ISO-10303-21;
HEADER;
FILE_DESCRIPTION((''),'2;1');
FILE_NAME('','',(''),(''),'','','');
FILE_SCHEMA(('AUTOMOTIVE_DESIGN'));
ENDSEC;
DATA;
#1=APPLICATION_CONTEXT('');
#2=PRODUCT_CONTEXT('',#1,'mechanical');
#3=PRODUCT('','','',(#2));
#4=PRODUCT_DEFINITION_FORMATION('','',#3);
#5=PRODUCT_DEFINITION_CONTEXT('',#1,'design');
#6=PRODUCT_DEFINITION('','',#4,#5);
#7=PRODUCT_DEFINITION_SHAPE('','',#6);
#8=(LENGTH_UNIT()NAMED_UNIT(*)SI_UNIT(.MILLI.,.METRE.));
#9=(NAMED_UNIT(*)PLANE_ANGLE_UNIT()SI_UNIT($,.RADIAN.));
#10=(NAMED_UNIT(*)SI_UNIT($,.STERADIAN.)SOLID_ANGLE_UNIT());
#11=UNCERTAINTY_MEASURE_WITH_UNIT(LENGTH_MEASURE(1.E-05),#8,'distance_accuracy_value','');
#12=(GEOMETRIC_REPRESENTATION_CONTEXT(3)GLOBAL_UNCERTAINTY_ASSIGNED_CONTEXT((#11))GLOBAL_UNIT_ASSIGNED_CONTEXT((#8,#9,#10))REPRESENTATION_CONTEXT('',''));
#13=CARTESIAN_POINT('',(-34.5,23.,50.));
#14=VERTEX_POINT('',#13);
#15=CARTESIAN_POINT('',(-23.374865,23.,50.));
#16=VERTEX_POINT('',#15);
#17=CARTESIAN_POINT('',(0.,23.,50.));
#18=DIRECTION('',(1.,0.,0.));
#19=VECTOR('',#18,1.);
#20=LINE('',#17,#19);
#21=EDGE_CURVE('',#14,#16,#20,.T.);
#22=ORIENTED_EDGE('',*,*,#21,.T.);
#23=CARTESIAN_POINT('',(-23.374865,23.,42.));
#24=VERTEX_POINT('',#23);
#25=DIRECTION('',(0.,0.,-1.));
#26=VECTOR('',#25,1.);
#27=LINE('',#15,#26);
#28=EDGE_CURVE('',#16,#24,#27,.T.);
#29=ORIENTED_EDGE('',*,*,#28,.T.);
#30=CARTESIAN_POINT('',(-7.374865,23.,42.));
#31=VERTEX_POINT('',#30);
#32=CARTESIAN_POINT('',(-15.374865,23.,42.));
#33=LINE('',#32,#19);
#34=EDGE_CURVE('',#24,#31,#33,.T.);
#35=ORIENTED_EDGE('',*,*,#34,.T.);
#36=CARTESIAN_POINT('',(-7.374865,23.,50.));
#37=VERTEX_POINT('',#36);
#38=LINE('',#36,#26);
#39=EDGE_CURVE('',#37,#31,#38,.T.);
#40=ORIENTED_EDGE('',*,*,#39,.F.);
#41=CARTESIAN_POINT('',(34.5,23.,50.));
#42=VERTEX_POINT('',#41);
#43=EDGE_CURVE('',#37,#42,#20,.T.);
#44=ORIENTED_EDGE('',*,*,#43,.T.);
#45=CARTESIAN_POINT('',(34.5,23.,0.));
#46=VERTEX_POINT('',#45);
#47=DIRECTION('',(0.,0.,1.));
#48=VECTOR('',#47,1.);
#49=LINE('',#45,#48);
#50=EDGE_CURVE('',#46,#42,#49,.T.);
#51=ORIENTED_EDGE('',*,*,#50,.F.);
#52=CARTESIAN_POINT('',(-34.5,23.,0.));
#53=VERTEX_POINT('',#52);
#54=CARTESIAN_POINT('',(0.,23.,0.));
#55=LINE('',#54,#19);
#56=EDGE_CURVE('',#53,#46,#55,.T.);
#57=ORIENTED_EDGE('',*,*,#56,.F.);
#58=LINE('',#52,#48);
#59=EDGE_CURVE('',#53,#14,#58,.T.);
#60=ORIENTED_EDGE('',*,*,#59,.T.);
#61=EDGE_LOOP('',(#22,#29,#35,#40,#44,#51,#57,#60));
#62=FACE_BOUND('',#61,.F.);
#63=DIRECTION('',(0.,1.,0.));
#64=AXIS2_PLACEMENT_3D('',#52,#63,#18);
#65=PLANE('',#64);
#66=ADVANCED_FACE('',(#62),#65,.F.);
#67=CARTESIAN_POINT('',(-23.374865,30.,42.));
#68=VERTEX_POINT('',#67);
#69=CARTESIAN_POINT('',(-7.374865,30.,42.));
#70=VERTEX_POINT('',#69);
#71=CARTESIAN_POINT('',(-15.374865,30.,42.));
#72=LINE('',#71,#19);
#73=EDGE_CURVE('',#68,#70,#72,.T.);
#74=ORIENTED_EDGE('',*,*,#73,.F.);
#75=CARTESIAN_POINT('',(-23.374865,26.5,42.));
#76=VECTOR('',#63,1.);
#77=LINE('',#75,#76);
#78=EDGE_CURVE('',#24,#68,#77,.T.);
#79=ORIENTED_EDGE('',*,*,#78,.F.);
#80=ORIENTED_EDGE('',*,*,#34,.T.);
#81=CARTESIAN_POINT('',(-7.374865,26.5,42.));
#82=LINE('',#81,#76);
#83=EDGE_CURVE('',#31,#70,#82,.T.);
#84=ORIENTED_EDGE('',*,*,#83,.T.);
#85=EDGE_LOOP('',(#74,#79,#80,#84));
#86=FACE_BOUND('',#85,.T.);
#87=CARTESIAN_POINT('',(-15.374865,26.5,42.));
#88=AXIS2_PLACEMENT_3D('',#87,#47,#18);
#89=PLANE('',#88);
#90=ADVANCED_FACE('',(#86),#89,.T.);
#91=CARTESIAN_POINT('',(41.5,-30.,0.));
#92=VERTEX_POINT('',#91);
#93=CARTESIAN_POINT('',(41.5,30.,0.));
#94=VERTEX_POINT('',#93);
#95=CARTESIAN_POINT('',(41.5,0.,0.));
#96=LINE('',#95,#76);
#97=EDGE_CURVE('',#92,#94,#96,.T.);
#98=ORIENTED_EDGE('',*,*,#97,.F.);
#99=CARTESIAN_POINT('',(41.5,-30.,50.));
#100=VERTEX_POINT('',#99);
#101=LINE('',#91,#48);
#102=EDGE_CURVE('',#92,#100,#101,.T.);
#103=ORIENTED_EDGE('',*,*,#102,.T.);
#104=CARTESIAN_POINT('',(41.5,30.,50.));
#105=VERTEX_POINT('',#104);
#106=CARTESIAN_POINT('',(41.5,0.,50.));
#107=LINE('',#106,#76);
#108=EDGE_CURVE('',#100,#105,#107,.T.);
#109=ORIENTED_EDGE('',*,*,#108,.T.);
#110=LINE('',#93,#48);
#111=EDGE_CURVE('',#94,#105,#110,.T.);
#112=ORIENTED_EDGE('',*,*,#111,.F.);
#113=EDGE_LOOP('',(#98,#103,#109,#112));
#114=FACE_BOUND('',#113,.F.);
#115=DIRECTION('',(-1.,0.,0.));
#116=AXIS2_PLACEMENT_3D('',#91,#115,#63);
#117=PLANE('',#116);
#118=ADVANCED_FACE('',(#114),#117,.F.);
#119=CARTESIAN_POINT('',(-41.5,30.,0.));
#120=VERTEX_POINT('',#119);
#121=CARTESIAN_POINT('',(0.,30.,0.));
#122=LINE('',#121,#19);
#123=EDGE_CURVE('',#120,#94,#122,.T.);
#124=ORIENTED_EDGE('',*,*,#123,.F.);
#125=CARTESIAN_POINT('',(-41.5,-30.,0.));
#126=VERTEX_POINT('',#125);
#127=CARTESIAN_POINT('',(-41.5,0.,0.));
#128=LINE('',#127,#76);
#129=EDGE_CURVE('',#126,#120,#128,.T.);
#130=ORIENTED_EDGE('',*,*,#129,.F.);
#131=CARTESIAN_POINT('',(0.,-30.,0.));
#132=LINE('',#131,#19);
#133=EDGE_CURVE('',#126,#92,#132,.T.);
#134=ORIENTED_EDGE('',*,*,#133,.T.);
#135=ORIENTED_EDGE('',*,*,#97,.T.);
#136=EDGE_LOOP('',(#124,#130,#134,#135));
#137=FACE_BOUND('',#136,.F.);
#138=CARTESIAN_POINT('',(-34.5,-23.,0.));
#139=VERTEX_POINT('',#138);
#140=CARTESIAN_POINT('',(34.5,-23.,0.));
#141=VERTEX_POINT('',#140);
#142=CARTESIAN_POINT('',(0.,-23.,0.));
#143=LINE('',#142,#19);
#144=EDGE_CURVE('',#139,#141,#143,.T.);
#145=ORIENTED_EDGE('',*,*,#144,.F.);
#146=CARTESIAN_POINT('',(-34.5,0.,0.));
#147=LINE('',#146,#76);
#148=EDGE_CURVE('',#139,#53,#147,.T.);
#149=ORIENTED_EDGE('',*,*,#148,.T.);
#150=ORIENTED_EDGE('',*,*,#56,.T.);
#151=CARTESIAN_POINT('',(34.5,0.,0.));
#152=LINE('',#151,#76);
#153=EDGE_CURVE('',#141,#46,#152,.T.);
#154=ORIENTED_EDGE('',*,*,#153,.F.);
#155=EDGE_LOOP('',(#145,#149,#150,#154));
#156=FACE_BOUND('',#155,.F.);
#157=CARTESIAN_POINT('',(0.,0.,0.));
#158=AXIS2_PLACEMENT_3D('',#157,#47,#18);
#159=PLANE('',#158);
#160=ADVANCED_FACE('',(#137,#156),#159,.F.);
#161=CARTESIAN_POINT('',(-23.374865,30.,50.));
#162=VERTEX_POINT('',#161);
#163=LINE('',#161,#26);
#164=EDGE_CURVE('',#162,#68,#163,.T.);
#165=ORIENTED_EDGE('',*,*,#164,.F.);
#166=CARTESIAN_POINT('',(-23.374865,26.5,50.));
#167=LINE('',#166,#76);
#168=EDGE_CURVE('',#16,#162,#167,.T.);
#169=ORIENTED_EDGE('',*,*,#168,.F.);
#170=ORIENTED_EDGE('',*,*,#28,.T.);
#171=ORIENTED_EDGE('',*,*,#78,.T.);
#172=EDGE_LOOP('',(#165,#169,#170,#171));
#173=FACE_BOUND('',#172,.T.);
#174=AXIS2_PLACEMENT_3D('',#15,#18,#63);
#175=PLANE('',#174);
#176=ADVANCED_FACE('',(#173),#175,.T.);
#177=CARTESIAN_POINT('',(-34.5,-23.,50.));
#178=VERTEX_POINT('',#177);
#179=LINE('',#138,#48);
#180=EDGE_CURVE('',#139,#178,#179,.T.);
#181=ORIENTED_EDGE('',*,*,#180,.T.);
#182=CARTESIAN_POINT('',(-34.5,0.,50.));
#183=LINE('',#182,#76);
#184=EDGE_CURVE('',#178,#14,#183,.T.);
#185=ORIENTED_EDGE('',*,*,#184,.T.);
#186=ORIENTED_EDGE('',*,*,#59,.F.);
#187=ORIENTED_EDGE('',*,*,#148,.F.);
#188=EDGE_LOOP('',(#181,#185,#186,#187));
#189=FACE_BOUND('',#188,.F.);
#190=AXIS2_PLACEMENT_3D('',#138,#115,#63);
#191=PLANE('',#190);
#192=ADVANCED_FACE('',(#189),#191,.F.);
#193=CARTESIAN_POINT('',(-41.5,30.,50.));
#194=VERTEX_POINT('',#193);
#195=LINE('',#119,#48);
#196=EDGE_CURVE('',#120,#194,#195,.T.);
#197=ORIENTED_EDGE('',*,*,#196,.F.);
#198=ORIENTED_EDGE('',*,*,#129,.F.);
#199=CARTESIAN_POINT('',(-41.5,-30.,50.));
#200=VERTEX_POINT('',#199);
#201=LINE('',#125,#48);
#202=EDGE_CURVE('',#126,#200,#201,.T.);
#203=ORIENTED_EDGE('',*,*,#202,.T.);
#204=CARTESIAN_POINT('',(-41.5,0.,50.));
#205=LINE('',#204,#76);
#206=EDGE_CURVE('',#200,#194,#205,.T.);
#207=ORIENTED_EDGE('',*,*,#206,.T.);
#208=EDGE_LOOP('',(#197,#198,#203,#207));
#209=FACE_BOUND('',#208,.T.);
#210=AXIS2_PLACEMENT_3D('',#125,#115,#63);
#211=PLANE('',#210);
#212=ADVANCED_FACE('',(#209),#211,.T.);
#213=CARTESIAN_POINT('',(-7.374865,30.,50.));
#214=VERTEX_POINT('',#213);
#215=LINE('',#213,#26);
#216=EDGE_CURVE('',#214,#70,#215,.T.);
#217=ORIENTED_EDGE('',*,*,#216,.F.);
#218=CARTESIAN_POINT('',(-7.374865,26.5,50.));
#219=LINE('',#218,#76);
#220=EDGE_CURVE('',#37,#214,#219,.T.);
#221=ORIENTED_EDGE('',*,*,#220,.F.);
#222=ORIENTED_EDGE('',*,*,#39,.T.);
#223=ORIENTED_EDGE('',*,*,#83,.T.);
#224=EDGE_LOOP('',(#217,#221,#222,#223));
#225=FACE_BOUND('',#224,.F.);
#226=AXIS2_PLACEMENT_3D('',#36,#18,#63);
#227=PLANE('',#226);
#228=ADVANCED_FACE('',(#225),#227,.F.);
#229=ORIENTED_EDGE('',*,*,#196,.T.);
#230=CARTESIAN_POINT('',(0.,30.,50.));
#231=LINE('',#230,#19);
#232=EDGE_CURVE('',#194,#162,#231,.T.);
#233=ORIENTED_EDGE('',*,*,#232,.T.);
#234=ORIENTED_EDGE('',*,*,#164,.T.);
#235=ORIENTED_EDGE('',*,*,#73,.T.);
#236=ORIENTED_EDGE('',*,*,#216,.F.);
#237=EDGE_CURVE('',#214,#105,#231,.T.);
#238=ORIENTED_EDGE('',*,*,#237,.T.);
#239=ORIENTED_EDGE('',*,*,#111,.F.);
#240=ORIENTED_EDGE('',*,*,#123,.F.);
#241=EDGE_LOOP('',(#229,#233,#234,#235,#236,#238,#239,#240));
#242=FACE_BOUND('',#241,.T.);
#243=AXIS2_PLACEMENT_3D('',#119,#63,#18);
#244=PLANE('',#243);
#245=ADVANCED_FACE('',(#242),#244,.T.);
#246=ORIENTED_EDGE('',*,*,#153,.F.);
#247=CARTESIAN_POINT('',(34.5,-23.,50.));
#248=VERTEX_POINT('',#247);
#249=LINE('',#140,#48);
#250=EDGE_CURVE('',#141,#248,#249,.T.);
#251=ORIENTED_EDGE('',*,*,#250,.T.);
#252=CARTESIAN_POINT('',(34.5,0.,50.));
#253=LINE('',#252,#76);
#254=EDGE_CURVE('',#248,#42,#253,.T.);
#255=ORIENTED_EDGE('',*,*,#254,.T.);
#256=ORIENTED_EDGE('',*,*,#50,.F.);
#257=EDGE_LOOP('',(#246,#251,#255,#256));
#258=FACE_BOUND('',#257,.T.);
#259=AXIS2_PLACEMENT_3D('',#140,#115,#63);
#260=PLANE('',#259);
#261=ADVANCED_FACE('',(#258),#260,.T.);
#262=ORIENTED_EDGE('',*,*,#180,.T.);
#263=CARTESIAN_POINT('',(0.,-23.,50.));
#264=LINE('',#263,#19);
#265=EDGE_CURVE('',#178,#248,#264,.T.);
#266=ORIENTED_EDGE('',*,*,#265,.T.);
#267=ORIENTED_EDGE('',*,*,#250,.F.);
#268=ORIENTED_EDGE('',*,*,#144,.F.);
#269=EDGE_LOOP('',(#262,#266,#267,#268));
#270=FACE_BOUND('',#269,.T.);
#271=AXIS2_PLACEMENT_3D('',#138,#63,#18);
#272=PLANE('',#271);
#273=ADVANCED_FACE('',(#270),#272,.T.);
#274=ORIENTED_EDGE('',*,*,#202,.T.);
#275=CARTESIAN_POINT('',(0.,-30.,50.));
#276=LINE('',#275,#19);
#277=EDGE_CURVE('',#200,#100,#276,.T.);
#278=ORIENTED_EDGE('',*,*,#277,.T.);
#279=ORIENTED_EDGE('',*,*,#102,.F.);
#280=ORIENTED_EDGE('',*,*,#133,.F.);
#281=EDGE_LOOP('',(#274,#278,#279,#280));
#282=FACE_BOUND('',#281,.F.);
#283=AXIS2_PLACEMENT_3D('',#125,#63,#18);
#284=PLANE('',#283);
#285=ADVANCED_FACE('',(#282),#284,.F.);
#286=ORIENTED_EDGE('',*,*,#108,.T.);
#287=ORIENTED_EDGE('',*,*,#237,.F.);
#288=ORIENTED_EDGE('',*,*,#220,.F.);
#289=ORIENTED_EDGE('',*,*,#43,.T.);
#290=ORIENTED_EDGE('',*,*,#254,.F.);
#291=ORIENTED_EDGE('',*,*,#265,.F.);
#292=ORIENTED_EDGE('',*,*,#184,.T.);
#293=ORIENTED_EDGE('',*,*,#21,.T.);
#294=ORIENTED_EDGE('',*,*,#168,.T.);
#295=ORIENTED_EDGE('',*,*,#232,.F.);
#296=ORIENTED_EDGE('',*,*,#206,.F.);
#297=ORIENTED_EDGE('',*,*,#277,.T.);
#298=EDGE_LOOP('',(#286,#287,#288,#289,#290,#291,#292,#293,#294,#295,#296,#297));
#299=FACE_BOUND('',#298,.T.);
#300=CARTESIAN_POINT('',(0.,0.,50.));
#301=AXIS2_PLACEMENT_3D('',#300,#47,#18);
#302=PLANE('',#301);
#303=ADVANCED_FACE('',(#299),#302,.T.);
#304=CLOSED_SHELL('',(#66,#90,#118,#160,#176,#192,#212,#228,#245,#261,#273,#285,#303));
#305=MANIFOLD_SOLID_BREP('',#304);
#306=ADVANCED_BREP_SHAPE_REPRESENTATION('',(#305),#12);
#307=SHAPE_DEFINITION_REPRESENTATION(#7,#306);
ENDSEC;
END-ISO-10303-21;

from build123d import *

# Parameters (mm, degrees)
F0_W     = 83
F0_H     = 60
F0_W_2   = 69
F0_H_2   = 46
F1_DEPTH = 50
F2_W     = 16
F2_H     = 7
F3_DEPTH = 8


with BuildPart() as f1:
    # F0 (on Top) → F1 (new body)
    with BuildSketch(Plane.XY):
        Rectangle(F0_W, F0_H)
        Rectangle(F0_W_2, F0_H_2, mode=Mode.SUBTRACT)
    extrude(amount=F1_DEPTH)

    # F2 (on face) → F3 (cut)
    with BuildSketch(Plane.XY.offset(50)):
        with Locations((-15.374865, 26.5)):
            Rectangle(F2_W, F2_H)
    extrude(amount=-F3_DEPTH, mode=Mode.SUBTRACT)


solid = f1.part
